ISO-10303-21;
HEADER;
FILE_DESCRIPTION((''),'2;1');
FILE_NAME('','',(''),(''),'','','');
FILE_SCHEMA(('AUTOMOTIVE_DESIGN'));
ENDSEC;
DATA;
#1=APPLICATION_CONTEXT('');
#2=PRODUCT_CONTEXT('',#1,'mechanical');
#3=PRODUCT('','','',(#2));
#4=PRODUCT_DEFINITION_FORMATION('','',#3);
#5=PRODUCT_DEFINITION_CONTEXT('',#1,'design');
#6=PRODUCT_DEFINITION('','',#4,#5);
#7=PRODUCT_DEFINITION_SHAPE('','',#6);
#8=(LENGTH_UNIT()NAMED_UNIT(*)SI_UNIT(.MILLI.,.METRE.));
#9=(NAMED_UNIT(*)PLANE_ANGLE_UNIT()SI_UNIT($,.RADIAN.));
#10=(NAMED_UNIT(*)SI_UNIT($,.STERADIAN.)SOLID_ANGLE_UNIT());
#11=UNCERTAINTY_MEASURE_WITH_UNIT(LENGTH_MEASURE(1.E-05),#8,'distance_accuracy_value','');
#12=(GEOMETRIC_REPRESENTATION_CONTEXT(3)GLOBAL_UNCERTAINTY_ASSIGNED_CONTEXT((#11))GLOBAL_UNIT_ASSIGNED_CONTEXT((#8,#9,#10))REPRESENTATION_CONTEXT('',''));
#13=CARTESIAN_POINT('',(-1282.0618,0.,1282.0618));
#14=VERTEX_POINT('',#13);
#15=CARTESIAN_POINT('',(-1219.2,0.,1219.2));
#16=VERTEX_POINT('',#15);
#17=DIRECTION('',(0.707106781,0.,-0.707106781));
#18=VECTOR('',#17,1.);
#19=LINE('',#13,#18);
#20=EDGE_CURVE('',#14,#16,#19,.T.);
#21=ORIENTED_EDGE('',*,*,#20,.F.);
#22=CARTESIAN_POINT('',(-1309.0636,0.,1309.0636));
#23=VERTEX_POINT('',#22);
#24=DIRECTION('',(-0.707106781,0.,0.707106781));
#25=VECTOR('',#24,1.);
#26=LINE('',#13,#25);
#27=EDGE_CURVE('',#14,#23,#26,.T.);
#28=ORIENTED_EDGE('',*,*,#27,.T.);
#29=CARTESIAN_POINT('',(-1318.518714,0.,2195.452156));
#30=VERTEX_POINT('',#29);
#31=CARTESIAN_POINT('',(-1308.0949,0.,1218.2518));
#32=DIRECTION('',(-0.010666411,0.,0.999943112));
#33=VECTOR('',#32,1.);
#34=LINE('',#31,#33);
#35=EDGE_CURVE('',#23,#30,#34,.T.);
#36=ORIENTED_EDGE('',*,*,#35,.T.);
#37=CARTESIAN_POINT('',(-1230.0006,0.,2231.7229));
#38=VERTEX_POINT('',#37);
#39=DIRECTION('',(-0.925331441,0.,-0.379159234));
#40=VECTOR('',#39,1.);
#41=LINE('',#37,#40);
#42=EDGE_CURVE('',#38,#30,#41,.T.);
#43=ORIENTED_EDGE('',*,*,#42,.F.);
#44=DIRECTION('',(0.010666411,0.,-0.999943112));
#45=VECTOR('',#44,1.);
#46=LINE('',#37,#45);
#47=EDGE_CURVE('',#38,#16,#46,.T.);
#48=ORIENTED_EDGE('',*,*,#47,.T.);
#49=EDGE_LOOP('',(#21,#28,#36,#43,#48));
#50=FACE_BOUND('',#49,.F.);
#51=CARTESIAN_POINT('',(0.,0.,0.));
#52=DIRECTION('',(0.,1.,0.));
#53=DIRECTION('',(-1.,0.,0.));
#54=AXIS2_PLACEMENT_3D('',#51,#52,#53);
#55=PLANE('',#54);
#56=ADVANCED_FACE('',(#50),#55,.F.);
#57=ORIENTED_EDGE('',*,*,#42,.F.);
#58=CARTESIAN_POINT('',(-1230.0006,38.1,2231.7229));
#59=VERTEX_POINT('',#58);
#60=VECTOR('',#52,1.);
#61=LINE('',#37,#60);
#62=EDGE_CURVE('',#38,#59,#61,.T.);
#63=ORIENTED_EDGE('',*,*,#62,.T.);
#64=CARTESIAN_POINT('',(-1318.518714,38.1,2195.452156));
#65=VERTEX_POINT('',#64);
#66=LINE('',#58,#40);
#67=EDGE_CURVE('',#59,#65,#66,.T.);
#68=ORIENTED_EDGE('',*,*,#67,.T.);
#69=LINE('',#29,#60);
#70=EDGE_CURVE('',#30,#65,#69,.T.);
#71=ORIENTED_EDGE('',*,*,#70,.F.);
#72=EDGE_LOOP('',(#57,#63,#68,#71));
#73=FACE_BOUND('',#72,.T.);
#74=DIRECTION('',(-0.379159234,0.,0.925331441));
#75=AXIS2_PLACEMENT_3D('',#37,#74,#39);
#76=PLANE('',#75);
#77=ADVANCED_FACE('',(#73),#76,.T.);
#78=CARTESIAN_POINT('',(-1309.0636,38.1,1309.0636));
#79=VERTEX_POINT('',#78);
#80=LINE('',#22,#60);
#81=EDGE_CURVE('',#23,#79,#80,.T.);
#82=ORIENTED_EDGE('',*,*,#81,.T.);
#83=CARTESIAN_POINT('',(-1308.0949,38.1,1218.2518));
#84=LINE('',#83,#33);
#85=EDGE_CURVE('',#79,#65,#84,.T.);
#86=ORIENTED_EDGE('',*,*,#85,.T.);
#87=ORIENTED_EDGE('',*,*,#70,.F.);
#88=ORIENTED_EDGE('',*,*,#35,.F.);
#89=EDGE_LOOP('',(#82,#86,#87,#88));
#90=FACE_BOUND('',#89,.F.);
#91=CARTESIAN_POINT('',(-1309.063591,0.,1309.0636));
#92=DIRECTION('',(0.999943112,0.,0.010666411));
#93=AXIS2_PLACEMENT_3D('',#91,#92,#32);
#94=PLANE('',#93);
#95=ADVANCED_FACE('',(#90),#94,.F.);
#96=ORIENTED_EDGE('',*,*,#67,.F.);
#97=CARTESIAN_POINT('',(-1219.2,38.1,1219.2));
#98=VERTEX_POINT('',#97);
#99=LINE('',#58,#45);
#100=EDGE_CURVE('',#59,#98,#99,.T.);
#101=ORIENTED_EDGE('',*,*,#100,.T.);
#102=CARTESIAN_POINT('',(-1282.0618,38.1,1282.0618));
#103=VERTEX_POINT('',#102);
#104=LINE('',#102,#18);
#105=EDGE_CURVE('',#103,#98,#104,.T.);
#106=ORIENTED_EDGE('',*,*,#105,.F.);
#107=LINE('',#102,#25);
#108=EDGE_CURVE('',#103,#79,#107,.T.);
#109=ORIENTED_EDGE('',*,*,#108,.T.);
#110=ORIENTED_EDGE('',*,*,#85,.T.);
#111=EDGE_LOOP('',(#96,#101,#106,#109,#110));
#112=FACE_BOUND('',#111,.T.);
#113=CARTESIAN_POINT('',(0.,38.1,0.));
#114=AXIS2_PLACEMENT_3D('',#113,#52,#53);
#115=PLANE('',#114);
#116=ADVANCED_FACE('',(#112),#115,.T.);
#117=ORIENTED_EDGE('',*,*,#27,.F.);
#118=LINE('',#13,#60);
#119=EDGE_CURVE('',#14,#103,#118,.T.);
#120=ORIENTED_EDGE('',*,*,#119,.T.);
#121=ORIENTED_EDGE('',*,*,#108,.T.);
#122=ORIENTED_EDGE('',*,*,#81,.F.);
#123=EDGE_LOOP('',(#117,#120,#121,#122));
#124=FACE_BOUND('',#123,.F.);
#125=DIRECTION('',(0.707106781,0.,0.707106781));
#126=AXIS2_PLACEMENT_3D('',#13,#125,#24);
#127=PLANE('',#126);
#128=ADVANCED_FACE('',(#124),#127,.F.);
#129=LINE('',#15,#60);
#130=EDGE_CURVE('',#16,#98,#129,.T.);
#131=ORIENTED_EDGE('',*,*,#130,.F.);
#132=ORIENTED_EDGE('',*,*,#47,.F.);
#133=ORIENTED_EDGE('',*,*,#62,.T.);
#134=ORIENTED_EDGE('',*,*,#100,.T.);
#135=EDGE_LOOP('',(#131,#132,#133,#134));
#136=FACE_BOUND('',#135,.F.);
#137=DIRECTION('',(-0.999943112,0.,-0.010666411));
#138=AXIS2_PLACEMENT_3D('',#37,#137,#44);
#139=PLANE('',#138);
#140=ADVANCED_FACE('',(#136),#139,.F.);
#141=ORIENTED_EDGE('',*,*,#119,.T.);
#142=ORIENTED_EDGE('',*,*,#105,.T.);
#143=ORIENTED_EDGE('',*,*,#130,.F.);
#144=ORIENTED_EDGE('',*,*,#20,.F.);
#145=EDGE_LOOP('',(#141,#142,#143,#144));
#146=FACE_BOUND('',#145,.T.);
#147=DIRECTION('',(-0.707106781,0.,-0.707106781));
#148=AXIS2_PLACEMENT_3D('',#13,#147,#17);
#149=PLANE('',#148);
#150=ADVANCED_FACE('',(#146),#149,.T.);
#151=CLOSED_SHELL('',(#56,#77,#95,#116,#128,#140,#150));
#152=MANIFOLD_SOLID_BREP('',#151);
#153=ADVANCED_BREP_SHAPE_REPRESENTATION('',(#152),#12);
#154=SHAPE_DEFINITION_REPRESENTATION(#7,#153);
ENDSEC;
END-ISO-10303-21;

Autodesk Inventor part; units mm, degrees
ref_plane "YZ Plane" through (0, 0, 0) normal (1, 0, 0) x (0, 1, 0)
ref_plane "XZ Plane" through (0, 0, 0) normal (0, 1, 0) x (-1, 0, 0)
ref_plane "XY Plane" through (0, 0, 0) normal (0, 0, 1) x (1, 0, 0)
sketch "Sketch1" plane through (0, 0, 0) normal (0, 1, 0) x (-1, 0, 0)
  line L0 (0, 0) -> (0, -1219.2)
  line L1 (0, 0) -> (88.9, 0)
  line L2 (88.9, 0) -> (88.9, -1219.2)
  line L3 (88.9, -1219.2) -> (0, -1219.2)
  line L4 (0, 0) -> (0, 1219.2) construction
  line L5 (0, 1219.2) -> (1219.2, 1219.2) construction
  line L6 (0, 1219.2) -> (0, 3657.6) construction
  line L7 (0, 3657.6) -> (0, 4876.8) construction
  line L8 (0, 4876.8) -> (0, 6096) construction
  line L9 (0, -1219.2) -> (2438.4, -1219.2) construction
  line L10 (0, 6096) -> (2438.4, 6096) construction
  line L11 (2438.4, 6096) -> (2438.4, -1219.2) construction
  line L12 (0, 3657.6) -> (0, 3352.8) construction
  line L13 (0, 3352.8) -> (2438.4, 3352.8) construction
  line L14 (2438.4, 3352.8) -> (1219.2, 3352.8)
  line L15 (1219.2, 3352.8) -> (1219.2, 3263.9)
  line L16 (1219.2, 3263.9) -> (2438.4, 3263.9)
  line L17 (2438.4, 3263.9) -> (2438.4, 3352.8)
  line L18 (0, 6096) -> (862.1046, 6958.1046)
  line L19 (862.1046, 6958.1046) -> (924.9664, 6895.2428)
  line L20 (924.9664, 6895.2428) -> (62.8618, 6033.1382)
  line L21 (62.8618, 6033.1382) -> (0, 6096)
  line L22 (0, 4876.8) -> (1219.2, 4876.8) construction
  line L23 (1219.2, 4876.8) -> (2081.3046, 5738.9046)
  line L24 (1219.2, 1219.2) -> (2081.3046, 357.0954)
  line L25 (2081.3046, 357.0954) -> (2018.4428, 294.2336)
  line L26 (2018.4428, 294.2336) -> (1156.3382, 1156.3382)
  line L27 (1156.3382, 1156.3382) -> (1219.2, 1219.2)
  line L28 (2018.4428, 294.2336) -> (88.9, -1219.2)
  line L29 (2081.3046, 357.0954) -> (2144.1664, 419.9572)
  line L30 (2144.1664, 419.9572) -> (1282.0618, 1282.0618)
  line L31 (1282.0618, 1282.0618) -> (1219.2, 1219.2)
  line L32 (2438.4, 3352.8) -> (2438.4, 3441.7)
  line L33 (2438.4, 3441.7) -> (1219.2, 3441.7)
  line L34 (1219.2, 3441.7) -> (1219.2, 3352.8)
  line L35 (1156.3382, 4939.6618) -> (1282.0618, 4813.9382)
  line L36 (2018.4428, 5801.7664) -> (2144.1664, 5676.0428)
  line L37 (1282.0618, 4813.9382) -> (2144.1664, 5676.0428)
  line L38 (2018.4428, 5801.7664) -> (1156.3382, 4939.6618)
  line L39 (2018.4428, 5801.7664) -> (924.9664, 6895.2428)
  line L40 (62.8618, 6033.1382) -> (1156.3382, 4939.6618)
  line L41 (1233.6206, 4168.8855) -> (1267.6412, 4086.7527)
  line L42 (1263.7078, 2313.9849) -> (1230.0006, 2231.7229)
  arc A0 (862.1046, 6958.1046) -> (0, 6096) centre (431.0523, 6527.0523) ccw
  line L43 (1246.8542, 2272.8539) -> (2375.0183, 1810.583)
  line L44 (2391.8719, 1851.7139) -> (2358.1646, 1769.452)
  line L45 (2391.8719, 1851.7139) -> (1263.7078, 2313.9849)
  line L46 (1230.0006, 2231.7229) -> (2358.1646, 1769.452)
  line L47 (1230.0006, 2231.7229) -> (1219.2, 3263.9)
  line L48 (2144.1664, 419.9572) -> (2391.8719, 1851.7139)
  line L49 (2391.8719, 1851.7139) -> (2438.4, 3263.9)
  line L50 (1219.2, 3441.7) -> (1233.6206, 4168.8855)
  line L51 (1250.6309, 4127.8191) -> (2377.0248, 4594.3867)
  line L52 (2360.0145, 4635.4532) -> (2394.0351, 4553.3203)
  line L53 (2394.0351, 4553.3203) -> (1267.6412, 4086.7527)
  line L54 (2360.0145, 4635.4532) -> (1233.6206, 4168.8855)
  line L55 (2394.0351, 4553.3203) -> (2144.1664, 5676.0428)
  line L56 (2438.4, 3441.7) -> (2394.0351, 4553.3203)
  line L57 (2144.1664, 5676.0428) -> (2057.3895, 5656.7301)
  line L58 (2394.0351, 4553.3203) -> (2305.2058, 4549.7751)
  line L59 (2394.0351, 4553.3203) -> (2307.2582, 4534.0076)
  line L60 (2307.2582, 4534.0076) -> (2057.3895, 5656.7301)
  line L61 (2438.4, 3441.7) -> (2349.5707, 3438.1548)
  line L62 (2349.5707, 3438.1548) -> (2305.2058, 4549.7751)
  line L63 (1219.2, 3441.7) -> (1308.0825, 3439.9374)
  line L64 (1233.6206, 4168.8855) -> (1322.5031, 4167.1229)
  line L65 (1322.5031, 4167.1229) -> (1308.0825, 3439.9374)
  line L66 (2018.4428, 5801.7664) -> (1955.581, 5738.9046)
  line L67 (1955.581, 5738.9046) -> (862.1046, 6832.381)
  line L68 (924.9664, 6895.2428) -> (862.1046, 6832.381)
  line L69 (62.8618, 6033.1382) -> (125.7236, 6096)
  line L70 (62.8618, 6033.1382) -> (125.7236, 6096)
  line L71 (125.7236, 6096) -> (1219.2, 5002.5236)
  line L72 (1156.3382, 1156.3382) -> (0, 0)
  line L73 (0, 0) -> (62.8618, -62.8618)
  line L74 (1156.3382, 1156.3382) -> (1219.2, 1093.4764)
  line L75 (1219.2, 1093.4764) -> (62.8618, -62.8618)
  line L76 (2018.4428, 294.2336) -> (1963.5776, 364.1837)
  line L77 (88.9, -1219.2) -> (34.0348, -1149.2499)
  line L78 (34.0348, -1149.2499) -> (1963.5776, 364.1837)
  line L79 (2144.1664, 419.9572) -> (2056.5677, 435.1125)
  line L80 (2391.8719, 1851.7139) -> (2304.2732, 1866.8692)
  line L81 (2391.8719, 1851.7139) -> (2303.0201, 1854.6414)
  line L82 (2304.2732, 1866.8692) -> (2056.5677, 435.1125)
  line L83 (1230.0006, 2231.7229) -> (1318.8957, 2232.6531)
  line L84 (1219.2, 3263.9) -> (1308.0951, 3264.8302)
  line L85 (1308.0951, 3264.8302) -> (1318.8957, 2232.6531)
  line L86 (2438.4, 3263.9) -> (2349.5482, 3266.8275)
  line L87 (2349.5482, 3266.8275) -> (2303.0201, 1854.6414)
  line L88 (88.9, 0) -> (125.7236, 0)
  line L89 (1233.6206, 4168.8855) -> (1219.2, 4876.8)
  line L90 (1233.6206, 4168.8855) -> (1322.5022, 4170.6961)
  line L91 (1219.2, 4876.8) -> (1308.0816, 4878.6106)
  line L92 (1308.0816, 4878.6106) -> (1322.5022, 4170.6961)
  line L93 (1282.0618, 4813.9382) -> (1309.9674, 4786.0326)
  line L94 (1267.6412, 4086.7527) -> (1318.4756, 3964.0275)
  line L95 (2360.0145, 4635.4532) -> (2374.4273, 4641.4231)
  line L96 (1230.0006, 2231.7229) -> (1219.2, 1219.2)
  line L97 (1230.0006, 2231.7229) -> (1318.8955, 2230.7747)
  line L98 (1219.2, 1219.2) -> (1308.0949, 1218.2518)
  line L99 (1308.0949, 1218.2518) -> (1318.8955, 2230.7747)
  line L100 (1282.0618, 1282.0618) -> (1309.0636, 1309.0636)
  line L101 (1263.7078, 2313.9849) -> (1316.7428, 2438.4)
  line L102 (2358.1646, 1769.452) -> (2376.5379, 1763.082)
  point P0 (1770.957, 2057.4547)
  point P1 (1955.1236, 357.5528)
  point P2 (88.9, -1106.2164)
  point P3 (2292.1025, 1796.5213)
  point P4 (2067.2525, 496.8711)
  point P5 (1318.5187, 2195.4522)
  dimension "d0" = 1219.2
  dimension "d2" = 1219.2
  dimension "d3" = 1219.2
  dimension "d16" = 2438.4
  dimension "d17" = 1219.2
  dimension "d18" = 1219.2
  dimension "d20" = 2438.4
  dimension "d21" = 304.8
  dimension "d22" = 1219.2
  dimension "d23" = 88.9
  dimension "d24" = 1219.2
  dimension "d25" = 45
  dimension "d26" = 88.9
  dimension "d27" = 1219.2
  dimension "d28" = 1219.2
  dimension "d29" = 1219.2
  dimension "d31" = 1219.2
  dimension "d32" = 88.9
  dimension "d33" = 88.9
  dimension "d34" = 88.9
  dimension "d35" = 177.8
  dimension "d36" = 177.8
  dimension "d38" = 88.9
  dimension "d39" = 88.9
  dimension "d43" = 1219.2
  dimension "d44" = 88.9
  dimension "d45" = 1219.2
  dimension "d46" = 88.9
  dimension "d47" = 88.9
  dimension "d48" = 88.9
  dimension "d49" = 88.9
  dimension "d50" = 88.9
  dimension "d51" = 88.9
  dimension "d54" = 88.9
  dimension "d55" = 88.9
  dimension "d57" = 88.9
  dimension "d58" = 88.9
  dimension "d59" = 88.9
  dimension "d60" = 88.9
  dimension "d61" = 88.9
  dimension "d64" = 88.9
  dimension "d65" = 88.9
  dimension "d66" = 88.9
  dimension "d69" = 88.9
  dimension "d70" = 88.9
  dimension "d71" = 88.9
  dimension "d72" = 88.9
extrude "Extrusion1" add sketch "Sketch1" along normal blind 38.1 contours L96 L46 L99 L100 L31
properties part number "S_2x4x39.865"
